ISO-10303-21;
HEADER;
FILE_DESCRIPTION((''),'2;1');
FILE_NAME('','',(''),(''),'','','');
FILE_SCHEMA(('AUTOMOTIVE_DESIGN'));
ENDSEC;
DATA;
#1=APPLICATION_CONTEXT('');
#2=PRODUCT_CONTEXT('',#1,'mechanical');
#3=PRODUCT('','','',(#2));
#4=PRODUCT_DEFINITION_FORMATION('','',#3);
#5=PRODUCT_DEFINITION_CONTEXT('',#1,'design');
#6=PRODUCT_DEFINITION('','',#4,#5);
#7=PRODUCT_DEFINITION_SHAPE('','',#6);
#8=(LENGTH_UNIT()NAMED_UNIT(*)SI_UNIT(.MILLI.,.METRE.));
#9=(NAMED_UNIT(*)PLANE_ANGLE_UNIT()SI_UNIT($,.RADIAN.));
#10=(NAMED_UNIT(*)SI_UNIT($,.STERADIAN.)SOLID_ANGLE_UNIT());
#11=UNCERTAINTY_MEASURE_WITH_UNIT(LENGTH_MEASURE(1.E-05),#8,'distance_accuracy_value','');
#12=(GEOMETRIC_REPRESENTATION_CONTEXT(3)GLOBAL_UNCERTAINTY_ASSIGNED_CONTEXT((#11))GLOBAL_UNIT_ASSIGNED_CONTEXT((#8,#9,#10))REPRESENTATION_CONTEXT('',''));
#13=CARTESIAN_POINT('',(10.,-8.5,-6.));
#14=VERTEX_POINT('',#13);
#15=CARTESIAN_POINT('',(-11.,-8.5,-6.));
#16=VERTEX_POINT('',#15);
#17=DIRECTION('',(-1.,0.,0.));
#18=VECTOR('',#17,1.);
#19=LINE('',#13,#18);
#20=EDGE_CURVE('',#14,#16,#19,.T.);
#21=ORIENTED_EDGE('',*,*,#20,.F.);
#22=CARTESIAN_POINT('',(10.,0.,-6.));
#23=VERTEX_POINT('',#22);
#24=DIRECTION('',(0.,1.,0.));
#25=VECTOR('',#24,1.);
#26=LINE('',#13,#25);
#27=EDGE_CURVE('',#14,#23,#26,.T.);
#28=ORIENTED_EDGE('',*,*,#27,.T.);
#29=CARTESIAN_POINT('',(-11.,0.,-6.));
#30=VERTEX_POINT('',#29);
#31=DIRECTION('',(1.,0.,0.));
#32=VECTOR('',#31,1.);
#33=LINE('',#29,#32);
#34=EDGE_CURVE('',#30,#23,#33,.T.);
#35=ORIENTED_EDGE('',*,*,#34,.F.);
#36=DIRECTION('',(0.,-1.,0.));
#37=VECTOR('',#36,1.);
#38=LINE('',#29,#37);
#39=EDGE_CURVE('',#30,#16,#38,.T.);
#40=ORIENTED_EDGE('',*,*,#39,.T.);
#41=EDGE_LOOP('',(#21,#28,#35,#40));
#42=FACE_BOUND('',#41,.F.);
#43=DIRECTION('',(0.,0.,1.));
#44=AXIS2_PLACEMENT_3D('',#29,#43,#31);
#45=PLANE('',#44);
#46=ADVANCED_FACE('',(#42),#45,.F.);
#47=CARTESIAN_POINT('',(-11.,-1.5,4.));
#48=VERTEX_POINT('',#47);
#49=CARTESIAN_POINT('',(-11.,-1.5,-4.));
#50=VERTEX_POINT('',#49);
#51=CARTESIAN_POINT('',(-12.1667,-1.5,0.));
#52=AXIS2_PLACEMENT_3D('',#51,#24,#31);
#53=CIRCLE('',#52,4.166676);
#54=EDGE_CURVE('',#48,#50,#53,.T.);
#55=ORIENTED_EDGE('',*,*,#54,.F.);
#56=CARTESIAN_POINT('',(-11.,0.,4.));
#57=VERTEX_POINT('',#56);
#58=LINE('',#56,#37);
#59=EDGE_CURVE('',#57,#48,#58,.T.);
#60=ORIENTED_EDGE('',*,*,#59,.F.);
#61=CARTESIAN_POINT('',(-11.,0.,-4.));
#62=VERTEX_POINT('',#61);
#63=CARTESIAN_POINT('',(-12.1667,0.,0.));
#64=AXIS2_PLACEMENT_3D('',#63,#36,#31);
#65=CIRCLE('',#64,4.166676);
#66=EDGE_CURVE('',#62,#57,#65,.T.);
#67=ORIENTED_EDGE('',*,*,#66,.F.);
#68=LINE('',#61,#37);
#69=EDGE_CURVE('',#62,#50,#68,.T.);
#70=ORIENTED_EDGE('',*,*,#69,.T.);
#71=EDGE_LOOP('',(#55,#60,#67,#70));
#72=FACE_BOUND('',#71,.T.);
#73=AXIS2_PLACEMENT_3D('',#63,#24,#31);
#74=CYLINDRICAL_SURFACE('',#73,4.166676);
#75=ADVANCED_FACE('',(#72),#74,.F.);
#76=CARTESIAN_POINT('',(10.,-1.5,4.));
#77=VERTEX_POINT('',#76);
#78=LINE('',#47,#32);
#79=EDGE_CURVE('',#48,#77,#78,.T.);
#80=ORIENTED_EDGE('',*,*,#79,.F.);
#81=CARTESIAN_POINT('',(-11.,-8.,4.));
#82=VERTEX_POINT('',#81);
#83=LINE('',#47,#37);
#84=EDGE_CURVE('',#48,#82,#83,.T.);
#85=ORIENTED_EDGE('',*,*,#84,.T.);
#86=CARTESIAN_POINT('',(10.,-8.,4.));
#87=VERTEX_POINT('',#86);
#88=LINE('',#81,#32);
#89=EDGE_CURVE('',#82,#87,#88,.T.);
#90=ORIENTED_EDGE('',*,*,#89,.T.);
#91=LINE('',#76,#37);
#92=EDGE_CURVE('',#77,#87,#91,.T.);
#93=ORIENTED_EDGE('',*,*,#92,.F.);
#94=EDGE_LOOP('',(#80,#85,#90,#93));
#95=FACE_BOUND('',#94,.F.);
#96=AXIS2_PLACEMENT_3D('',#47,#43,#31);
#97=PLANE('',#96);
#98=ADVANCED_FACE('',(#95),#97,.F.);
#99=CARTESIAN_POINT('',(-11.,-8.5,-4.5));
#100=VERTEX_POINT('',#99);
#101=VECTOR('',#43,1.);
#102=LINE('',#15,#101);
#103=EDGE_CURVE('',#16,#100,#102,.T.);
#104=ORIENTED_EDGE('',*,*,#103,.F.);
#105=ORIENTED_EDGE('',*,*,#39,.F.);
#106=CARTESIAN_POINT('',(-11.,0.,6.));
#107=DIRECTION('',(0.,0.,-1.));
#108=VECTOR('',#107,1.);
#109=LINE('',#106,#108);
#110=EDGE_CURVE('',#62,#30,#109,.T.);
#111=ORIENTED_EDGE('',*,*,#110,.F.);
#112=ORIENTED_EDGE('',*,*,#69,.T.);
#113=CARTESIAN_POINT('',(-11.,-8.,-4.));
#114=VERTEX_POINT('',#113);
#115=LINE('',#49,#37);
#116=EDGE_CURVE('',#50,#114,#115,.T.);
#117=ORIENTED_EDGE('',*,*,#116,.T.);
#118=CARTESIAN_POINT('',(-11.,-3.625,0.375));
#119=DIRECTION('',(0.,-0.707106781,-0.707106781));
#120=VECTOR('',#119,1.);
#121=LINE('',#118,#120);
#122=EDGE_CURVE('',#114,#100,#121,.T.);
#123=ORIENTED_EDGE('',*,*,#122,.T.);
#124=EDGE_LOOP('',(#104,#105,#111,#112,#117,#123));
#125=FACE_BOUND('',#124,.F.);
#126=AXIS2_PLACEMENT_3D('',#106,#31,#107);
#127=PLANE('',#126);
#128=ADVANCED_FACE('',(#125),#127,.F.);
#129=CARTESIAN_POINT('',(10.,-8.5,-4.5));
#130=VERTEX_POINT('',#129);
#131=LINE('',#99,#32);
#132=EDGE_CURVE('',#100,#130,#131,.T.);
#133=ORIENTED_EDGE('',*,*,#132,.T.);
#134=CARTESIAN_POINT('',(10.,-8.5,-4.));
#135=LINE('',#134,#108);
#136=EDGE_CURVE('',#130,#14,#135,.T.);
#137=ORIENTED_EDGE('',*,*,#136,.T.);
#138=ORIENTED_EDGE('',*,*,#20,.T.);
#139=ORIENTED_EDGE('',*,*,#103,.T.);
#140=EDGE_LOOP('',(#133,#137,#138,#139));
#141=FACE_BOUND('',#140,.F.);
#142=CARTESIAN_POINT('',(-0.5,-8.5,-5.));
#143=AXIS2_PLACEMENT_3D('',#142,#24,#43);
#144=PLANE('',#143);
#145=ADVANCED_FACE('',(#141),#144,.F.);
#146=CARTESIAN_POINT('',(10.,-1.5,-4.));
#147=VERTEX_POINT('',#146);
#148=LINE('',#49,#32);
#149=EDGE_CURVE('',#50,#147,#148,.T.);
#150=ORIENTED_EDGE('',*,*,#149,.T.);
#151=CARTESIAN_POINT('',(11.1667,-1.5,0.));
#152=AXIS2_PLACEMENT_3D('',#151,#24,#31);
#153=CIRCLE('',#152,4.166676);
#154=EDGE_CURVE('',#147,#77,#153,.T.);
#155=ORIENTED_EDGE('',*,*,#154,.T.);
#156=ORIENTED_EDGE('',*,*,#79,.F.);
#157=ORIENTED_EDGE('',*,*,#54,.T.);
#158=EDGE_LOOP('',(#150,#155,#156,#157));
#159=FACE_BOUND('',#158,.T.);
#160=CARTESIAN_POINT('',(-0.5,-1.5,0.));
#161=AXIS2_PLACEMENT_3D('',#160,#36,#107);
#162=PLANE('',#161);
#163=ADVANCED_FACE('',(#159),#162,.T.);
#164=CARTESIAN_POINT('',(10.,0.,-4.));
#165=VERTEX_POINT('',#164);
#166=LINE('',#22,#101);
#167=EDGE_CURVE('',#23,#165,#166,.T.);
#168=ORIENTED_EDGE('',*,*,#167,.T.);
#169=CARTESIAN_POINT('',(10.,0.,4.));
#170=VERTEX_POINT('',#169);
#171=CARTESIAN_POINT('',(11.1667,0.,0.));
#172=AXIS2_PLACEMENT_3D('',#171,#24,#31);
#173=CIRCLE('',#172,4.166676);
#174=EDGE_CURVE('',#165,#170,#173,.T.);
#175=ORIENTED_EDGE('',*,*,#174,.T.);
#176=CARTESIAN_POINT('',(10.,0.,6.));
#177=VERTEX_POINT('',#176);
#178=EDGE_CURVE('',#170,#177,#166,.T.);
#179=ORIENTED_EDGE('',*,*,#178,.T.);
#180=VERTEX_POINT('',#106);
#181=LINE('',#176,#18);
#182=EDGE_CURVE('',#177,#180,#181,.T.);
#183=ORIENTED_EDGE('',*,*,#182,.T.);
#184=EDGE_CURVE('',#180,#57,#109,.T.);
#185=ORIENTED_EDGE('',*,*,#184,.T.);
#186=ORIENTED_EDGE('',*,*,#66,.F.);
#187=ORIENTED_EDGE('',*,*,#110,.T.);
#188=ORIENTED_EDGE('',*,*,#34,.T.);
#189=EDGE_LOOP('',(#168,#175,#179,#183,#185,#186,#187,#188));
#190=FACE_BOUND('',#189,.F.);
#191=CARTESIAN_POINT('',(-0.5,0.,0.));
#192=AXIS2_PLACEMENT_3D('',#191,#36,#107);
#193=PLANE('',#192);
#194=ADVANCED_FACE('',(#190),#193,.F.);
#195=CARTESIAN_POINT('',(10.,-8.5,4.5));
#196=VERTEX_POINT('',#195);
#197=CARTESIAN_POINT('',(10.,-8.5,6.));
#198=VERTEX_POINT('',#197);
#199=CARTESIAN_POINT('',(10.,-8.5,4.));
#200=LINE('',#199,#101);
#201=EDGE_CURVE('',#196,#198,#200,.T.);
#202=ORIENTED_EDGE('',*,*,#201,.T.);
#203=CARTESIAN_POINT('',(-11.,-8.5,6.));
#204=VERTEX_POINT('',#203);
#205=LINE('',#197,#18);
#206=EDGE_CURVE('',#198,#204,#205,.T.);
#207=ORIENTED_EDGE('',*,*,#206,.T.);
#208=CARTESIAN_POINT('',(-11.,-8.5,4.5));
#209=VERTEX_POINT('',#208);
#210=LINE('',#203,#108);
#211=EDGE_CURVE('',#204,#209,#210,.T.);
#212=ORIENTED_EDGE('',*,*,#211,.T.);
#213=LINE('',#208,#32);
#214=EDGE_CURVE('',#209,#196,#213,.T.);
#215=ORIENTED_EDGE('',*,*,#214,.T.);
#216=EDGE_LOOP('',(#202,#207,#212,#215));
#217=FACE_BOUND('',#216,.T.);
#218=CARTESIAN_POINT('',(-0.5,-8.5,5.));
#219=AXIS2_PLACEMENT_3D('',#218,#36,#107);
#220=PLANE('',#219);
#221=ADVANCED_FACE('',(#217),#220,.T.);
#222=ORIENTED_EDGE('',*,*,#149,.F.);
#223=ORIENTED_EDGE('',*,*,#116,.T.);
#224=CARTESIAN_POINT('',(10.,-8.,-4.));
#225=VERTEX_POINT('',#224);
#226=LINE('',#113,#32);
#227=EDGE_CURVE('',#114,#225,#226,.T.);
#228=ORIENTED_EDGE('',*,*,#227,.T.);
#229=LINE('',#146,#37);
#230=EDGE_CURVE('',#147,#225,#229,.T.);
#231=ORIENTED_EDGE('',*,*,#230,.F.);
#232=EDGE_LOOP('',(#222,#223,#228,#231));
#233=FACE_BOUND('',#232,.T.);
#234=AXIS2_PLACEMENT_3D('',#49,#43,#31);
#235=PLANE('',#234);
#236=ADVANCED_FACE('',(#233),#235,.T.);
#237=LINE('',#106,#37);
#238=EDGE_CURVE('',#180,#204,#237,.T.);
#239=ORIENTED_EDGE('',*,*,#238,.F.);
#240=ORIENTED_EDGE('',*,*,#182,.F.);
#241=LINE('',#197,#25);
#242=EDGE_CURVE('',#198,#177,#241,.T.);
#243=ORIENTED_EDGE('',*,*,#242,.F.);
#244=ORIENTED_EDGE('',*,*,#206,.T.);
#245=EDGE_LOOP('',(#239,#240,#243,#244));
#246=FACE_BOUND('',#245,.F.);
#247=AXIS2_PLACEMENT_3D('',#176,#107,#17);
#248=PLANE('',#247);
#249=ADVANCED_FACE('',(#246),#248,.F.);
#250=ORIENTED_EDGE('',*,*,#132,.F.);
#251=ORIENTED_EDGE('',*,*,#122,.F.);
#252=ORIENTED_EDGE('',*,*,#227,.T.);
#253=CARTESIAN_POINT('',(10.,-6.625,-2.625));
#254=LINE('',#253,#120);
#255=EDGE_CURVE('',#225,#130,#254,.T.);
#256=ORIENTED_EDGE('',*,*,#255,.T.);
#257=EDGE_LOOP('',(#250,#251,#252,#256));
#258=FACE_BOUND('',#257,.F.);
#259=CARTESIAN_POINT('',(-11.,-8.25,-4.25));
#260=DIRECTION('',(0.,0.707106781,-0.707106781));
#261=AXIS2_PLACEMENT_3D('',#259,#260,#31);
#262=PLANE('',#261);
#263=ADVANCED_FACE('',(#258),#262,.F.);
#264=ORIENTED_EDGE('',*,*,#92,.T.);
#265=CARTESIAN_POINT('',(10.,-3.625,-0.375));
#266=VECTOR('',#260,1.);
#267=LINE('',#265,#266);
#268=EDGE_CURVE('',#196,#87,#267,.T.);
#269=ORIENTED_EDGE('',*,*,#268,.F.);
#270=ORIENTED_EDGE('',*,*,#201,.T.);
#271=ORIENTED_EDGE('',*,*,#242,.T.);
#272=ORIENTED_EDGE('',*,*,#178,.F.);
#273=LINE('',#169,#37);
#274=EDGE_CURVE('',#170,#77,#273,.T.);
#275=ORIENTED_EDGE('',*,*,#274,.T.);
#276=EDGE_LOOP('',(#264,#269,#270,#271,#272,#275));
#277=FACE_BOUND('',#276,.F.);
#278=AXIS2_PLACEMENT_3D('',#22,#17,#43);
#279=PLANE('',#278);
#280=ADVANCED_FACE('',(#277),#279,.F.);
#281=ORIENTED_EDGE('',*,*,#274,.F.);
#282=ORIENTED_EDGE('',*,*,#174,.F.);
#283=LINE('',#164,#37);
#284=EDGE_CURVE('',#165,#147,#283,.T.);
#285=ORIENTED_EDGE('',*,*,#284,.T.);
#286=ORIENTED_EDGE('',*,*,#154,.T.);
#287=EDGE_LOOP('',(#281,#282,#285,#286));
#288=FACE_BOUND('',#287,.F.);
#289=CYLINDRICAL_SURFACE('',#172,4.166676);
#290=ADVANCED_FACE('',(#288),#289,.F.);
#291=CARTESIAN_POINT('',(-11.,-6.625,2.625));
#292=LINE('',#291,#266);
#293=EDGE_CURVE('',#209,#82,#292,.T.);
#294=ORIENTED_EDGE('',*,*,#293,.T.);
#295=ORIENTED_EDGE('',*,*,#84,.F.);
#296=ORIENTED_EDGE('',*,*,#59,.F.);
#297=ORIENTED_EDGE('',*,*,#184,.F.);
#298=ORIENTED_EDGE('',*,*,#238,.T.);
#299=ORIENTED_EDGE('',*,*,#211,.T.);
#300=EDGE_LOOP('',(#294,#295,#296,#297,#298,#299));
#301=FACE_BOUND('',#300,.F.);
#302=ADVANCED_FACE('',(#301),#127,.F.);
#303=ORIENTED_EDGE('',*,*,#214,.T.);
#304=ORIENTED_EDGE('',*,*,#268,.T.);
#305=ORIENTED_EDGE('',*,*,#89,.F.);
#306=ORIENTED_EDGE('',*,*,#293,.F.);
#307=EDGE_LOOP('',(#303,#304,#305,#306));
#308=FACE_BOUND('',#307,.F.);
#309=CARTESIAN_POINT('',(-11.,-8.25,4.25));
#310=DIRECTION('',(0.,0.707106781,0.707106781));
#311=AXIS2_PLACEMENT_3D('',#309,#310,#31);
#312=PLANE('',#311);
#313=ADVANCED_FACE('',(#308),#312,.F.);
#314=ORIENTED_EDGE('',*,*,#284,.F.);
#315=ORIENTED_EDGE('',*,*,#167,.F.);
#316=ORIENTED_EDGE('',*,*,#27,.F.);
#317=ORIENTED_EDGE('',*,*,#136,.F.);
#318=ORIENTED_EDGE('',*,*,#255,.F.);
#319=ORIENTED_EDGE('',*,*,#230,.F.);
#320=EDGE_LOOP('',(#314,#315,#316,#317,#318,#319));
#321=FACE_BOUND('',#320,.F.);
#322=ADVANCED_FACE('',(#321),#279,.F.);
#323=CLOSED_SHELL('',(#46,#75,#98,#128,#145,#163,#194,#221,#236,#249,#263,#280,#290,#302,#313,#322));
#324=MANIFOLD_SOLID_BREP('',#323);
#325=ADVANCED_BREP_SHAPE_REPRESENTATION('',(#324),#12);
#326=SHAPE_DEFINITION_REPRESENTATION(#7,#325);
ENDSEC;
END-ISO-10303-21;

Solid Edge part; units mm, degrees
sketch "Sketch1" plane through (0, 0, 0) normal (0, -1, 0) x (1, 0, 0)
  line L0 (10, 6) -> (-11, 6)
  line L1 (-11, 6) -> (-11, -6)
  line L2 (-11, -6) -> (10, -6)
  line L3 (10, -6) -> (10, 6)
  dimension "D1" = 21
  dimension "D2" = 12
extrude "Protrusion1" add sketch "Sketch1" along normal blind 1.5
sketch "Sketch2" plane through (0, -1.5, 0) normal (0, -1, 0) x (-1, 0, 0)
  line L0 (11, -6) -> (11, -4)
  line L1 (11, -4) -> (-10, -4)
  line L2 (-10, -4) -> (-10, -6)
  line L3 (-10, -6) -> (11, -6)
  line L4 (11, 6) -> (11, 4)
  line L5 (11, 4) -> (-10, 4)
  line L6 (-10, 4) -> (-10, 6)
  line L7 (-10, 6) -> (11, 6)
  dimension "D1" = 2
  dimension "D2" = 2
extrude "Extrusionsausprägung_7" add sketch "Sketch2" along normal blind 7
sketch "Sketch3" plane through (0, 0, 0) normal (0, 1, 0) x (1, 0, 0)
  arc A0 (-11, 4) -> (-11, -4) centre (-12.1667, 0) cw
  line L0 (-11, 4) -> (-11, -4)
  arc A1 (10, 4) -> (10, -4) centre (11.1667, 0) ccw
  line L1 (10, 4) -> (10, -4)
  dimension "D1" = 3
  dimension "D2" = 3
extrude "Cutout1" cut sketch "Sketch3" against normal through all
chamfer "Fase_4" distance 0.5 angle 45 2 edges at (-0.5, -8.5, 4) (-0.5, -8.5, -4)
properties material "ABS-Plastik, mittelfest"
